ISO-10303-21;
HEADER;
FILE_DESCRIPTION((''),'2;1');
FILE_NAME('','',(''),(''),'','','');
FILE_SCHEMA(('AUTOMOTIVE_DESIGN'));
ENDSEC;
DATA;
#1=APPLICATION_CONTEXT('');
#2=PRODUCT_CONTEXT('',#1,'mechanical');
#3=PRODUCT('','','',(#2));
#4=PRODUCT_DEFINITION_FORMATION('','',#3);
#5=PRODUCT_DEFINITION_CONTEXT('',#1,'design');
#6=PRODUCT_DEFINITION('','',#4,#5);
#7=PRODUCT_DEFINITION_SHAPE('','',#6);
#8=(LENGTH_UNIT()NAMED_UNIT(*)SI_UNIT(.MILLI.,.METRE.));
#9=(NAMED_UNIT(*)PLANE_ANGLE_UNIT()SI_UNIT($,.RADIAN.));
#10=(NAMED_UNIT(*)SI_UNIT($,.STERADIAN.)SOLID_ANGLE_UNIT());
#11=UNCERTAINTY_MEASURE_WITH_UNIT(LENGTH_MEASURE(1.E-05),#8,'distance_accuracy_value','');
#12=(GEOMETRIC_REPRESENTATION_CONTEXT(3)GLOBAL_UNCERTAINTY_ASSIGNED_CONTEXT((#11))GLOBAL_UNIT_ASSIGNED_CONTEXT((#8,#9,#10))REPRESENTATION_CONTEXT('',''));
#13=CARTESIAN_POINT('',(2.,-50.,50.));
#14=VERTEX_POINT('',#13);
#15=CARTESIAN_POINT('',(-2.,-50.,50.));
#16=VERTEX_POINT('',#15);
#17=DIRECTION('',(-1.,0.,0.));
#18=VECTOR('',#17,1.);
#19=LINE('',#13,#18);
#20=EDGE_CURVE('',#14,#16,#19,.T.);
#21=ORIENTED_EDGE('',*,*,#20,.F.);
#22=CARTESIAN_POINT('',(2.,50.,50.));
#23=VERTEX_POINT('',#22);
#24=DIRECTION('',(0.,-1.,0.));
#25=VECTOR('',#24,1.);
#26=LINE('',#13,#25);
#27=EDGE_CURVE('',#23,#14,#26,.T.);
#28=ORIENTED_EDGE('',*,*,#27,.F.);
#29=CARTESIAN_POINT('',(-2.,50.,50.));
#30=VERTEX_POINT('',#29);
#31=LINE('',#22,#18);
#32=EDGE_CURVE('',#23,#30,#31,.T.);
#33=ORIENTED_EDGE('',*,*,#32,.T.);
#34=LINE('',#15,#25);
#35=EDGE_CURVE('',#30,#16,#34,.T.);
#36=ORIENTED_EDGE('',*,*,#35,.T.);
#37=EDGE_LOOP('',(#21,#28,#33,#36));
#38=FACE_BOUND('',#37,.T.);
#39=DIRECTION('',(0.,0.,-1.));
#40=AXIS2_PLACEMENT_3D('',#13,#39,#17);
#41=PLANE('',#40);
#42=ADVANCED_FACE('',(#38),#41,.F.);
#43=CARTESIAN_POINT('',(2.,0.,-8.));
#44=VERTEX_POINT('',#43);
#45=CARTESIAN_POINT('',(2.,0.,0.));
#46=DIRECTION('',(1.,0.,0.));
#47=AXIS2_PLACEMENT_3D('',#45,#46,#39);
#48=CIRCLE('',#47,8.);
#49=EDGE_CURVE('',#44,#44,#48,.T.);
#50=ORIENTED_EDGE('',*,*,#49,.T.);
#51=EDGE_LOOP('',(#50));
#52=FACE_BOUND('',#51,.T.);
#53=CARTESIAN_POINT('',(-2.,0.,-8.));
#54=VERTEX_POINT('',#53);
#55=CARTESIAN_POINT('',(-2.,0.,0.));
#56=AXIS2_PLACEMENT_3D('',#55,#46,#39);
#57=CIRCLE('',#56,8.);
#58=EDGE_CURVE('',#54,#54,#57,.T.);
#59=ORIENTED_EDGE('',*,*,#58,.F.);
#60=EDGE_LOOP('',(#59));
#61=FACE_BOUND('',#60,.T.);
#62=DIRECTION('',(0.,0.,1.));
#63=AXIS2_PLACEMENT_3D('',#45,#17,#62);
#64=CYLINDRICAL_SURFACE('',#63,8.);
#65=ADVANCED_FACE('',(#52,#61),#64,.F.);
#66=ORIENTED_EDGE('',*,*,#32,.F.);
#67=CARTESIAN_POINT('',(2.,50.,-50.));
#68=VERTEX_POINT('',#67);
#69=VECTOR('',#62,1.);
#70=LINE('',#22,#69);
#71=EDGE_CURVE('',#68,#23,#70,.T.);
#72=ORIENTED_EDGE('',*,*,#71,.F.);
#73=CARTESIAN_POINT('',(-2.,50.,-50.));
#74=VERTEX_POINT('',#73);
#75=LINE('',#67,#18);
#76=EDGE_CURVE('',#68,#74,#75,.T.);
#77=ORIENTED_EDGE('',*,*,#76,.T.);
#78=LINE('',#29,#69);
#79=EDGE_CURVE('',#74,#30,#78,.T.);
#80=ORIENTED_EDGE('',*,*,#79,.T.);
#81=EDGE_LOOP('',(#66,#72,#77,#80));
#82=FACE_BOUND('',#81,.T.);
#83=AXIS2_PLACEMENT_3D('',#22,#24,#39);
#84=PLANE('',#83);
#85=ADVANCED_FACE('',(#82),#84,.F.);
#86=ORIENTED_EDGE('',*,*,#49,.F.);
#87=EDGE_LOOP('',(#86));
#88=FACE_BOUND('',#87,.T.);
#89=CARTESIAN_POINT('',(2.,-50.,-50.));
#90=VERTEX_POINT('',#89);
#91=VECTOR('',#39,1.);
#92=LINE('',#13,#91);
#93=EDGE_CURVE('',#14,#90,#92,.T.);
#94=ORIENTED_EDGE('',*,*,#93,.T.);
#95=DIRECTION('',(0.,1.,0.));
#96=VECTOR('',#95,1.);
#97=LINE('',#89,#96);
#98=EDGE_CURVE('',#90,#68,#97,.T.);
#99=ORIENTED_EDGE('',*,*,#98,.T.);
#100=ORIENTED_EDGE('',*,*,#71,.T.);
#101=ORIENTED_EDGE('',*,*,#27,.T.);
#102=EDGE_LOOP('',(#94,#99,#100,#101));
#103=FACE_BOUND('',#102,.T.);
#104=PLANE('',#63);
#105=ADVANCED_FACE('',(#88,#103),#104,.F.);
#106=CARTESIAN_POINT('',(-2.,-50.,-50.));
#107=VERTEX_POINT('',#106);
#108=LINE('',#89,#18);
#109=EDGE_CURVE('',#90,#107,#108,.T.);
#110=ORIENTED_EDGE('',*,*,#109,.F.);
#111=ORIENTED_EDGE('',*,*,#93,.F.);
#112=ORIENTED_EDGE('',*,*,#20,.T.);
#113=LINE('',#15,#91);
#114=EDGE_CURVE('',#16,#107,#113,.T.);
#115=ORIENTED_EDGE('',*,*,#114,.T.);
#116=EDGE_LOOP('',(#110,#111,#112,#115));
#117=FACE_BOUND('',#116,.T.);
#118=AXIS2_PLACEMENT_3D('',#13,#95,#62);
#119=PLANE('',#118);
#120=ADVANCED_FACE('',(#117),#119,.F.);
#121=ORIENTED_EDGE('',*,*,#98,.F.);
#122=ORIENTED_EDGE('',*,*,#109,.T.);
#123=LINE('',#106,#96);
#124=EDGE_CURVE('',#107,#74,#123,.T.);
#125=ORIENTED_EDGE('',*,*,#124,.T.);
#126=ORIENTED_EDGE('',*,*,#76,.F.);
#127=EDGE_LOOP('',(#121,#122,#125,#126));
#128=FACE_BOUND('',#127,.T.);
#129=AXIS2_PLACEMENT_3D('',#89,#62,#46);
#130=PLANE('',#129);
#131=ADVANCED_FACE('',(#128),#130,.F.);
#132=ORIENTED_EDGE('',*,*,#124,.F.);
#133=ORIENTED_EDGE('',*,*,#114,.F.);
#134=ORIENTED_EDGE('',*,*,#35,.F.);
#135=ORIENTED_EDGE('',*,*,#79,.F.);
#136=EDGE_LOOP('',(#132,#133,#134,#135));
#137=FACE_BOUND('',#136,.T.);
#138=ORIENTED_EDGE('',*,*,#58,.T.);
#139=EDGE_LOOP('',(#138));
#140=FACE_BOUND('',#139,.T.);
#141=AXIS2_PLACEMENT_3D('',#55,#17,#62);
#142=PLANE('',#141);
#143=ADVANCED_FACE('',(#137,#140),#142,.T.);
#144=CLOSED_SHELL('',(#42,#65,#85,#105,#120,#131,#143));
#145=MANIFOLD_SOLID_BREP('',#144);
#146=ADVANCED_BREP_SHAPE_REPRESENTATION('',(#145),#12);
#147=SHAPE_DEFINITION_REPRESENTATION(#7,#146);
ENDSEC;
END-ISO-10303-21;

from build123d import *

# Parameters (mm, degrees)
SKETCH1_W           = 100
SKETCH1_H           = 100
SKETCH1_R           = 8
BOSS_EXTRUDE1_DEPTH = 2


with BuildPart() as part:
    # Sketch1 → Boss-Extrude1 (new body, symmetric)
    with BuildSketch(Plane(origin=(0, 0, 0), x_dir=(0, 0, -1), z_dir=(1, 0, 0))):
        Rectangle(SKETCH1_W, SKETCH1_H)
        Circle(SKETCH1_R, mode=Mode.SUBTRACT)
    extrude(amount=BOSS_EXTRUDE1_DEPTH, both=True)


solid = part.part
